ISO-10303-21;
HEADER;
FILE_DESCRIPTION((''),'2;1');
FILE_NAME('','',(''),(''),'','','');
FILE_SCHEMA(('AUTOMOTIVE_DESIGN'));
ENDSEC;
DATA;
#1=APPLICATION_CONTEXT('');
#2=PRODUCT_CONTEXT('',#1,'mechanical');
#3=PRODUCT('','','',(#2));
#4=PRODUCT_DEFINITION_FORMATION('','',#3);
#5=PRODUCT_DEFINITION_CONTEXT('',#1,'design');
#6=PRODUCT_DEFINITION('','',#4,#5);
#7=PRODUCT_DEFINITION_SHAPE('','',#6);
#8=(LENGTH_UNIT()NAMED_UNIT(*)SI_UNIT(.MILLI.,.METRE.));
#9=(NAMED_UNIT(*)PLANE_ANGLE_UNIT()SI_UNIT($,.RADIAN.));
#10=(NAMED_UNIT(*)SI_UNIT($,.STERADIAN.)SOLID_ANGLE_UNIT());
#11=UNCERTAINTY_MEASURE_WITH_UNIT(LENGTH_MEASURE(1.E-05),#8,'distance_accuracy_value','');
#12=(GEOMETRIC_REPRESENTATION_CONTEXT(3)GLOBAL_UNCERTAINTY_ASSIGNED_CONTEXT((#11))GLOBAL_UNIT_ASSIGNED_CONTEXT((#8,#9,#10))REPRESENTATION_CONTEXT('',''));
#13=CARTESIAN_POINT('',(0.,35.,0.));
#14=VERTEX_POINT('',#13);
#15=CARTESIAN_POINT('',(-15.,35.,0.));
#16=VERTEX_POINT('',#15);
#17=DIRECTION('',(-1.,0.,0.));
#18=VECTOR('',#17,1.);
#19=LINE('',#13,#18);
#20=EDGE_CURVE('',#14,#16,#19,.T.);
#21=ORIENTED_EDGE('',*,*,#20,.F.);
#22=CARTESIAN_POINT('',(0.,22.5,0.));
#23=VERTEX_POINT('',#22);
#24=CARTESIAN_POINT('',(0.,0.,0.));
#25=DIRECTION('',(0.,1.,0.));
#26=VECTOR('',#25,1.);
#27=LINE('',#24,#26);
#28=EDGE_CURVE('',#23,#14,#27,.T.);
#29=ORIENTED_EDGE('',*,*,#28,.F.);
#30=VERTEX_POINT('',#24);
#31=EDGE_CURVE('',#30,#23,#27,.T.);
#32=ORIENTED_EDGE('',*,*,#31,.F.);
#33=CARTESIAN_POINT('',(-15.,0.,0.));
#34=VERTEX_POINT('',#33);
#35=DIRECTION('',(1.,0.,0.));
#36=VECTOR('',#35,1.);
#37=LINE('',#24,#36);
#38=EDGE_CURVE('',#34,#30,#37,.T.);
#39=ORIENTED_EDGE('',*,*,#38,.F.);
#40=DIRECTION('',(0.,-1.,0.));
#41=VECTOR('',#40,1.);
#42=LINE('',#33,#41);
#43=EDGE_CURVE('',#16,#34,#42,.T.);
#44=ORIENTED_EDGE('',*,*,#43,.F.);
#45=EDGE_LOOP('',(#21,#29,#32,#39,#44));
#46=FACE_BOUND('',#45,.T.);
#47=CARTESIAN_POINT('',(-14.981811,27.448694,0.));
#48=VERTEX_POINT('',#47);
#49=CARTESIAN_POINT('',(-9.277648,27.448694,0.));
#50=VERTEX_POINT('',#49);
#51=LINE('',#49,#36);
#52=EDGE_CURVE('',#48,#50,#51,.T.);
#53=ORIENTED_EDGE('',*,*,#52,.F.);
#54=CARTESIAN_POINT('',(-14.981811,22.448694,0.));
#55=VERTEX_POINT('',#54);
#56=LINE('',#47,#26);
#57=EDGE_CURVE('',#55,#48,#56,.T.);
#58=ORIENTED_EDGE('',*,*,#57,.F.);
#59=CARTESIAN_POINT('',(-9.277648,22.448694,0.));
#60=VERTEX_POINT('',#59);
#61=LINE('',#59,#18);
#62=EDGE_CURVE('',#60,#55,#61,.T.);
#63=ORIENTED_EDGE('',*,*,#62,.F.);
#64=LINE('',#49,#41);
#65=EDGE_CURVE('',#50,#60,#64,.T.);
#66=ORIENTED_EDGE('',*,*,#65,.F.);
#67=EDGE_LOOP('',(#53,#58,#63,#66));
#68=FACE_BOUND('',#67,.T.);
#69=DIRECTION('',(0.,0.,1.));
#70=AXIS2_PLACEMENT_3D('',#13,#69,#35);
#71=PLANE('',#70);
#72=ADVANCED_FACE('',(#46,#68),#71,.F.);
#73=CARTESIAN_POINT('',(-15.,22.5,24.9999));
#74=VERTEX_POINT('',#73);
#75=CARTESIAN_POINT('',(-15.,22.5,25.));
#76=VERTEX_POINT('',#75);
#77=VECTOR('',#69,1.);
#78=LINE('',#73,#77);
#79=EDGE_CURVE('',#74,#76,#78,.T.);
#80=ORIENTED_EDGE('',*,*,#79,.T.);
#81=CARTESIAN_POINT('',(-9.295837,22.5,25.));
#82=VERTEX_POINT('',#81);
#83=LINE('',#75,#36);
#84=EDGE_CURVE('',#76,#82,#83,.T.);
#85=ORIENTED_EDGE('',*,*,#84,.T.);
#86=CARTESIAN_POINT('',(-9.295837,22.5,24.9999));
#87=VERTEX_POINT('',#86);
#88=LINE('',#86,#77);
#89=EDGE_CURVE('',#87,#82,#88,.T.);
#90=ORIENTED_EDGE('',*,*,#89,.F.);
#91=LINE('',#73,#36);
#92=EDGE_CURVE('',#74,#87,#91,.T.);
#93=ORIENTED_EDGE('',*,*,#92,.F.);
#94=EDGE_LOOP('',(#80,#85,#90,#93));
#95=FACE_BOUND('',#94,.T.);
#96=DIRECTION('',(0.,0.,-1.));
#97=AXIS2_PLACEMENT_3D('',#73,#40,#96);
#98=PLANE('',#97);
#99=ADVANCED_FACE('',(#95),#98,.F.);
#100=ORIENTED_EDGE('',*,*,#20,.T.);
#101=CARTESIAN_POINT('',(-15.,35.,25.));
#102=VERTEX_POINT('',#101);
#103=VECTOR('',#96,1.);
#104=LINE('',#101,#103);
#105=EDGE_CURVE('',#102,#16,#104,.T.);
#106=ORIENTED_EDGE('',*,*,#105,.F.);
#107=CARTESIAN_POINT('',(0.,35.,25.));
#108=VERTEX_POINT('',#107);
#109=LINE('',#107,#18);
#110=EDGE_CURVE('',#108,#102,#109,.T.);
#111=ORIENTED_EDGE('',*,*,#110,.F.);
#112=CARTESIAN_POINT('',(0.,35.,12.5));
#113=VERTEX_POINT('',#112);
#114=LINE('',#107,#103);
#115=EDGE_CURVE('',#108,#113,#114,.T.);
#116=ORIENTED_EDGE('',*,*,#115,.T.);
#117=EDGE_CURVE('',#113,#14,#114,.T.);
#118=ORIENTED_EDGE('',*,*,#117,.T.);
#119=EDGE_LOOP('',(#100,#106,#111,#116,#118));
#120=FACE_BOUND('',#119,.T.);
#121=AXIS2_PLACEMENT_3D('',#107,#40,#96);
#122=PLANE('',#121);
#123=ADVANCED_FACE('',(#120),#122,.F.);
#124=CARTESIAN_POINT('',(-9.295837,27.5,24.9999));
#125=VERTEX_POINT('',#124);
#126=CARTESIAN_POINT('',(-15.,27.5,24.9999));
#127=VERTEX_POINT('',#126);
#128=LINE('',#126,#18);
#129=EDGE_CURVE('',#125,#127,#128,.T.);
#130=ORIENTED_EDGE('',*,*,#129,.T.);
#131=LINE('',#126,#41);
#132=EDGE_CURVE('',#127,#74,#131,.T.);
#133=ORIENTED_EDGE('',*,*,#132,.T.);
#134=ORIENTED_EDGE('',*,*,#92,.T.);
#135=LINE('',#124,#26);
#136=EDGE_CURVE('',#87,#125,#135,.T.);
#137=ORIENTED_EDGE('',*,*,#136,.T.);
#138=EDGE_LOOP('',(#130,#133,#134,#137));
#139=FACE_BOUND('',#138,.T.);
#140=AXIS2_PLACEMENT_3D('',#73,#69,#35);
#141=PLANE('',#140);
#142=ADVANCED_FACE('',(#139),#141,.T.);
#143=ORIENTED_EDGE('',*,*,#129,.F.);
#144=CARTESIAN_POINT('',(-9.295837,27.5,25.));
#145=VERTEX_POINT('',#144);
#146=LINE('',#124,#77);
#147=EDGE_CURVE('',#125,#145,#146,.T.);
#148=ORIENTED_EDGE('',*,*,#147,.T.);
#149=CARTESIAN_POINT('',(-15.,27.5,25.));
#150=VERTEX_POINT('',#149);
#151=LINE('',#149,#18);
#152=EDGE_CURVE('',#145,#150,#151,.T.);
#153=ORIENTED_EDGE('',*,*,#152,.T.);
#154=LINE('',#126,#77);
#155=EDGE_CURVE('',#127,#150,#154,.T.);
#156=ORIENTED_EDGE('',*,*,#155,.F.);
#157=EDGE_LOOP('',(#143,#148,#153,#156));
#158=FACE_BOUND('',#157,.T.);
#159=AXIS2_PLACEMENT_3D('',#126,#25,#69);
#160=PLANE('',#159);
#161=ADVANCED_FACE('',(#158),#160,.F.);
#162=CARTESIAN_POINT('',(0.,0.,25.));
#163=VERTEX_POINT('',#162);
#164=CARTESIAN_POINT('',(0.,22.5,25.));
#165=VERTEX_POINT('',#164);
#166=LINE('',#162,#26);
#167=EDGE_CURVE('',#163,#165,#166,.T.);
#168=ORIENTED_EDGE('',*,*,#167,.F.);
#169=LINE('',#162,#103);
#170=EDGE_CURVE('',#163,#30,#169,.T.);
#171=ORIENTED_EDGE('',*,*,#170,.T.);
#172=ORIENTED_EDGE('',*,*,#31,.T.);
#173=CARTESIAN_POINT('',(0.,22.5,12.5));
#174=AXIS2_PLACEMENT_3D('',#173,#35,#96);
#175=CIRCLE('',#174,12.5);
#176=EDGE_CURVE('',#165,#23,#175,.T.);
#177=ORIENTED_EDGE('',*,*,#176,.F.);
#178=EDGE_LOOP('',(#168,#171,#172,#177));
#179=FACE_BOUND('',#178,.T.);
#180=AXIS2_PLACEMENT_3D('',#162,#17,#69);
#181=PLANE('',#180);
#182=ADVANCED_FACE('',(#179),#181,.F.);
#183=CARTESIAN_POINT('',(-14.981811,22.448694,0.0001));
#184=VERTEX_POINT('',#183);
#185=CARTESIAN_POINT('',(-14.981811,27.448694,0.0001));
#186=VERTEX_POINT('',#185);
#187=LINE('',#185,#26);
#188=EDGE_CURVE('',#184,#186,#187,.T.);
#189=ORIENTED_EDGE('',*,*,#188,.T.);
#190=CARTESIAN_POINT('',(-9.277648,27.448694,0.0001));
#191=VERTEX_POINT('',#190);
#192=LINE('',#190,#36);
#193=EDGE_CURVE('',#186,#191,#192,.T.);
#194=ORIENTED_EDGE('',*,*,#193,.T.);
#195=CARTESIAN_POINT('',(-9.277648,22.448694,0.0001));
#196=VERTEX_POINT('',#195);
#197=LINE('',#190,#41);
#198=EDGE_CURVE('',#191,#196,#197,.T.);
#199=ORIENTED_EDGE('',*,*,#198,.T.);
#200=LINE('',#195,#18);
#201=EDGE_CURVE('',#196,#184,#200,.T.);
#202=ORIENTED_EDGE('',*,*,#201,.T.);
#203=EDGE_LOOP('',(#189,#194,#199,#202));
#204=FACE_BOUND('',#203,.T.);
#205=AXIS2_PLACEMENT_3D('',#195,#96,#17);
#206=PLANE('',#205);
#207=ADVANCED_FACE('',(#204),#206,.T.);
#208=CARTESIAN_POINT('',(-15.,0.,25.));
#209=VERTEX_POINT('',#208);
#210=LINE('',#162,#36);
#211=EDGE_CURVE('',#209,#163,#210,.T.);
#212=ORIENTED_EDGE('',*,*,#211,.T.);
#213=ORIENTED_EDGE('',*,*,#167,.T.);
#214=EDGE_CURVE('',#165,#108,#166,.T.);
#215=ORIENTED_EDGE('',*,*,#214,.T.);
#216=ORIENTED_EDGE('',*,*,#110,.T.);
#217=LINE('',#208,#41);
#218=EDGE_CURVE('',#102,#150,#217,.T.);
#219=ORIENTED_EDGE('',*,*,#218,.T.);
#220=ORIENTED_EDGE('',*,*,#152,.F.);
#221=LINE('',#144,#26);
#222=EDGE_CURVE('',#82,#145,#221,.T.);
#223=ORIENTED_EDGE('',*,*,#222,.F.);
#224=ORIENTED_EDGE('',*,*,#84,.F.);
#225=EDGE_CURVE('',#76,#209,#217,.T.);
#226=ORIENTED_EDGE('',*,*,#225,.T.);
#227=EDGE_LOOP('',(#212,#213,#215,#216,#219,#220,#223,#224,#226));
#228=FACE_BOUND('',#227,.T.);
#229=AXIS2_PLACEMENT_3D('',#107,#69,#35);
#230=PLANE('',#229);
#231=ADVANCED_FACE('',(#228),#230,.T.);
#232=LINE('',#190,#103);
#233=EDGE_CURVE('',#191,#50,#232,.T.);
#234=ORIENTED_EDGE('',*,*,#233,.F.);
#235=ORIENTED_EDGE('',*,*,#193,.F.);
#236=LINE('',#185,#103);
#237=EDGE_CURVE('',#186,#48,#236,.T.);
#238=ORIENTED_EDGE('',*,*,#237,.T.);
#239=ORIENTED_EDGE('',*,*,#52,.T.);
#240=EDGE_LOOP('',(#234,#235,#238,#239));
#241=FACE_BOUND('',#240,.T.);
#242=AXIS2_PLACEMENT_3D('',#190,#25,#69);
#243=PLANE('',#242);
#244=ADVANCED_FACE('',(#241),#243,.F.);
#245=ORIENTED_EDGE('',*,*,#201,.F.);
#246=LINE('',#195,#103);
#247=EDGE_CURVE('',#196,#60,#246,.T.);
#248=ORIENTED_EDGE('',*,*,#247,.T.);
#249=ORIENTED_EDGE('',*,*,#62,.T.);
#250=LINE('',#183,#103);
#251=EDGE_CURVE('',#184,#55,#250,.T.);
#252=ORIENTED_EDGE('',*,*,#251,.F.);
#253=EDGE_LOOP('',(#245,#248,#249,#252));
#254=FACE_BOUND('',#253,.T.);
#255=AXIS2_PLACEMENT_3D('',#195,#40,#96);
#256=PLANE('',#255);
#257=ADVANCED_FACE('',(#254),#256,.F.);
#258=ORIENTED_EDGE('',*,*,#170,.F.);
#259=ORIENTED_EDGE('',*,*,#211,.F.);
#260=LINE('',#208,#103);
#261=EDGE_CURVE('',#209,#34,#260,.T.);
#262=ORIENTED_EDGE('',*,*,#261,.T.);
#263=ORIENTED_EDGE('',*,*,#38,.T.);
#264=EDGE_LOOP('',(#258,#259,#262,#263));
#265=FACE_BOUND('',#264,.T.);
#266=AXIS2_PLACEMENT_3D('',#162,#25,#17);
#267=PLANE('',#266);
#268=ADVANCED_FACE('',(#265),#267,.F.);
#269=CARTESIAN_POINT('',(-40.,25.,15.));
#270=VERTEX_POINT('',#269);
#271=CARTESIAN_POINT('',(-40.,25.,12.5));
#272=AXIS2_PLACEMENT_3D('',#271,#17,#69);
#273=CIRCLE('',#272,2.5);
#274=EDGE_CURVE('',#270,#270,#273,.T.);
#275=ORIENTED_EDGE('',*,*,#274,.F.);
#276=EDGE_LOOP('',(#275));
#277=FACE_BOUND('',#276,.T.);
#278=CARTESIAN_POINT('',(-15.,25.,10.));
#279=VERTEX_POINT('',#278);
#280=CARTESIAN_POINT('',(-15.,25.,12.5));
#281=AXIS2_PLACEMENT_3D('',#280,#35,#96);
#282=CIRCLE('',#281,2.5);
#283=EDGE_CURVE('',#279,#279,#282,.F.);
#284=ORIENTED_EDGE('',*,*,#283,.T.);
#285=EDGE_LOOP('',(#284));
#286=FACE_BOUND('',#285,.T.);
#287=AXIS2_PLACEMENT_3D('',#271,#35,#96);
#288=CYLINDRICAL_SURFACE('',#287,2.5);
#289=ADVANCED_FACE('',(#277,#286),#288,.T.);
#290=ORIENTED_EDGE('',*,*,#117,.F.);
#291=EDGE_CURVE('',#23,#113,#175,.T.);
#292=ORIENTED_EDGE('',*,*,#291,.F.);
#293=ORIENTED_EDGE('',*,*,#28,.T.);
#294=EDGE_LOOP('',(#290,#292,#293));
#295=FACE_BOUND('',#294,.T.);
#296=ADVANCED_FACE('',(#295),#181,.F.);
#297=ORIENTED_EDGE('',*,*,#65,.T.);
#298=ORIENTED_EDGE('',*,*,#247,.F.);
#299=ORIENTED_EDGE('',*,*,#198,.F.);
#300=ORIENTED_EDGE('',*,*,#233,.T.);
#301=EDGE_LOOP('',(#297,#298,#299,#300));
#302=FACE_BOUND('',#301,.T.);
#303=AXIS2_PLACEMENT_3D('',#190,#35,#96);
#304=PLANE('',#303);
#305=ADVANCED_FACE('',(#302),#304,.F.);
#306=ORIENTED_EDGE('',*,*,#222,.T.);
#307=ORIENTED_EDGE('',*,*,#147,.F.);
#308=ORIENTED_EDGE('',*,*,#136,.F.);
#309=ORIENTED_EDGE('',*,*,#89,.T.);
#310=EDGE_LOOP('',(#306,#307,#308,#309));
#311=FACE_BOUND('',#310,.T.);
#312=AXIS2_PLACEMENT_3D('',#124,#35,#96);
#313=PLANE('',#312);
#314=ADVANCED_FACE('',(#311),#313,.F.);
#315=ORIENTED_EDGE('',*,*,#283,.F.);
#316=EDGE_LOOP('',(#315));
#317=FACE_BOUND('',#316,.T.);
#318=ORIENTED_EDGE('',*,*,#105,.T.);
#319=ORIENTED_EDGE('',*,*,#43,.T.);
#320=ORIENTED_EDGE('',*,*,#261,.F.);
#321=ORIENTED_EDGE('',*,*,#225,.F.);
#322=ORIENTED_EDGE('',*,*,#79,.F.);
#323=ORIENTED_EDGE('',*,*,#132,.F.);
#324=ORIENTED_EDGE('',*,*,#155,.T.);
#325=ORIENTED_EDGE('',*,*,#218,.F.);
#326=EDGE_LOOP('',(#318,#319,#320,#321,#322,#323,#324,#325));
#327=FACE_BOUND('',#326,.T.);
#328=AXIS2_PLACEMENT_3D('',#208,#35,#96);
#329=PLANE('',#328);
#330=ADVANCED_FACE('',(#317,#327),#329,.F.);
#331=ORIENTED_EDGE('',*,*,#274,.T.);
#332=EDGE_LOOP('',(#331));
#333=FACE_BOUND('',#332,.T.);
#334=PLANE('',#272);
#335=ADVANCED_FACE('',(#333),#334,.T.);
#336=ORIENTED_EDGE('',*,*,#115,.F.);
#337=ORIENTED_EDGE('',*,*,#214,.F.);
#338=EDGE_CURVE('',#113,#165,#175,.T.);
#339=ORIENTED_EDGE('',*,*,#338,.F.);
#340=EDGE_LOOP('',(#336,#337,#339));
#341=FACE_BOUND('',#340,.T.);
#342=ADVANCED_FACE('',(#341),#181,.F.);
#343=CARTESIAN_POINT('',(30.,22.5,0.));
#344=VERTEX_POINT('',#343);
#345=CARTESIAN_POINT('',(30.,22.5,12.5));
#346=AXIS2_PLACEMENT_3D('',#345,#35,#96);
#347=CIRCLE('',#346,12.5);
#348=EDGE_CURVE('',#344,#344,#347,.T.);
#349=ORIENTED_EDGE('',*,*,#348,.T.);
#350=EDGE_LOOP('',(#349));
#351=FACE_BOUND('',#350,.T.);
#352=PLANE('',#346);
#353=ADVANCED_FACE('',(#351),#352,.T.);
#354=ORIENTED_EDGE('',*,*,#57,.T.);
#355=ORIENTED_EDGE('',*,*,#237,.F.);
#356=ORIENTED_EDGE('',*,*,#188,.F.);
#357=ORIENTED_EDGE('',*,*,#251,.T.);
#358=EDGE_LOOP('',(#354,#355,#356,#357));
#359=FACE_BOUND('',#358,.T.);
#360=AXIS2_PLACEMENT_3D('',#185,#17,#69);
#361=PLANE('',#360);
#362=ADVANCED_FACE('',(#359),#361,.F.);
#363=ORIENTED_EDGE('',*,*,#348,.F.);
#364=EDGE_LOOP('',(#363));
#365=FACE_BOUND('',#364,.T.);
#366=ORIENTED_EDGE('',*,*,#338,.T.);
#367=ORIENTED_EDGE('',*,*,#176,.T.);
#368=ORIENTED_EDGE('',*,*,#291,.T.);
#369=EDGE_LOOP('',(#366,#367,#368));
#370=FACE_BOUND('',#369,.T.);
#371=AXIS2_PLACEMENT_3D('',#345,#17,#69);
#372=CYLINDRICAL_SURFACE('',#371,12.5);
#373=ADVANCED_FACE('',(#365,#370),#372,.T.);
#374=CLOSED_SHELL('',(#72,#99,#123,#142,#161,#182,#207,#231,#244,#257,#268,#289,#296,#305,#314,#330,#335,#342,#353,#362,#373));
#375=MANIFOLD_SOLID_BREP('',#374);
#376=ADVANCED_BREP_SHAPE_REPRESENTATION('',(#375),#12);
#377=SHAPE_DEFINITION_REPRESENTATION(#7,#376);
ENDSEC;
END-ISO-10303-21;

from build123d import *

# Parameters (mm, degrees)
ESQUISSE1_W             = 15
ESQUISSE1_H             = 35
EXTRUSION1_DEPTH        = 25
ESQUISSE2_R             = 12.5
EXTRUSION2_DEPTH        = 30
ESQUISSE3_R             = 2.5
EXTRUSION4_DEPTH        = 25
ESQUISSE4_W             = 5.704163369
ESQUISSE4_H             = 5
ENL_V_MAT_EXTRU_1_DEPTH = 0.0001
ESQUISSE5_W             = 5.704163369
ESQUISSE5_H             = 5
ENL_V_MAT_EXTRU_2_DEPTH = 0.0001


with BuildPart() as part:
    # Esquisse1 → Extrusion1 (new body)
    with BuildSketch(Plane.XY):
        with Locations((-7.5, 17.5)):
            Rectangle(ESQUISSE1_W, ESQUISSE1_H)
    extrude(amount=EXTRUSION1_DEPTH)

    # Esquisse2 → Extrusion2 (add)
    with BuildSketch(Plane(origin=(0, 0, 0), x_dir=(0, 0, -1), z_dir=(1, 0, 0))):
        with Locations((-12.5, 22.5)):
            Circle(ESQUISSE2_R)
    extrude(amount=EXTRUSION2_DEPTH)

    # Esquisse3 → Extrusion4 (add)
    with BuildSketch(Plane.ZY.offset(15)):
        with Locations(Location((12.5, 25, 0), (0, 0, 180))):
            Circle(ESQUISSE3_R)
    extrude(amount=EXTRUSION4_DEPTH)

    # Esquisse4 → Enlèv. mat.-Extru.1 (cut)
    with BuildSketch(Plane.XY.offset(25)):
        with Locations((-12.147918316, 25)):
            Rectangle(ESQUISSE4_W, ESQUISSE4_H)
    extrude(amount=-ENL_V_MAT_EXTRU_1_DEPTH, mode=Mode.SUBTRACT)

    # Esquisse5 → Enlèv. mat.-Extru.2 (cut)
    with BuildSketch(Plane(origin=(0, 0, 0), x_dir=(-1, 0, 0), z_dir=(0, 0, -1))):
        with Locations((12.129729433, 24.948694164)):
            Rectangle(ESQUISSE5_W, ESQUISSE5_H)
    extrude(amount=-ENL_V_MAT_EXTRU_2_DEPTH, mode=Mode.SUBTRACT)


solid = part.part
